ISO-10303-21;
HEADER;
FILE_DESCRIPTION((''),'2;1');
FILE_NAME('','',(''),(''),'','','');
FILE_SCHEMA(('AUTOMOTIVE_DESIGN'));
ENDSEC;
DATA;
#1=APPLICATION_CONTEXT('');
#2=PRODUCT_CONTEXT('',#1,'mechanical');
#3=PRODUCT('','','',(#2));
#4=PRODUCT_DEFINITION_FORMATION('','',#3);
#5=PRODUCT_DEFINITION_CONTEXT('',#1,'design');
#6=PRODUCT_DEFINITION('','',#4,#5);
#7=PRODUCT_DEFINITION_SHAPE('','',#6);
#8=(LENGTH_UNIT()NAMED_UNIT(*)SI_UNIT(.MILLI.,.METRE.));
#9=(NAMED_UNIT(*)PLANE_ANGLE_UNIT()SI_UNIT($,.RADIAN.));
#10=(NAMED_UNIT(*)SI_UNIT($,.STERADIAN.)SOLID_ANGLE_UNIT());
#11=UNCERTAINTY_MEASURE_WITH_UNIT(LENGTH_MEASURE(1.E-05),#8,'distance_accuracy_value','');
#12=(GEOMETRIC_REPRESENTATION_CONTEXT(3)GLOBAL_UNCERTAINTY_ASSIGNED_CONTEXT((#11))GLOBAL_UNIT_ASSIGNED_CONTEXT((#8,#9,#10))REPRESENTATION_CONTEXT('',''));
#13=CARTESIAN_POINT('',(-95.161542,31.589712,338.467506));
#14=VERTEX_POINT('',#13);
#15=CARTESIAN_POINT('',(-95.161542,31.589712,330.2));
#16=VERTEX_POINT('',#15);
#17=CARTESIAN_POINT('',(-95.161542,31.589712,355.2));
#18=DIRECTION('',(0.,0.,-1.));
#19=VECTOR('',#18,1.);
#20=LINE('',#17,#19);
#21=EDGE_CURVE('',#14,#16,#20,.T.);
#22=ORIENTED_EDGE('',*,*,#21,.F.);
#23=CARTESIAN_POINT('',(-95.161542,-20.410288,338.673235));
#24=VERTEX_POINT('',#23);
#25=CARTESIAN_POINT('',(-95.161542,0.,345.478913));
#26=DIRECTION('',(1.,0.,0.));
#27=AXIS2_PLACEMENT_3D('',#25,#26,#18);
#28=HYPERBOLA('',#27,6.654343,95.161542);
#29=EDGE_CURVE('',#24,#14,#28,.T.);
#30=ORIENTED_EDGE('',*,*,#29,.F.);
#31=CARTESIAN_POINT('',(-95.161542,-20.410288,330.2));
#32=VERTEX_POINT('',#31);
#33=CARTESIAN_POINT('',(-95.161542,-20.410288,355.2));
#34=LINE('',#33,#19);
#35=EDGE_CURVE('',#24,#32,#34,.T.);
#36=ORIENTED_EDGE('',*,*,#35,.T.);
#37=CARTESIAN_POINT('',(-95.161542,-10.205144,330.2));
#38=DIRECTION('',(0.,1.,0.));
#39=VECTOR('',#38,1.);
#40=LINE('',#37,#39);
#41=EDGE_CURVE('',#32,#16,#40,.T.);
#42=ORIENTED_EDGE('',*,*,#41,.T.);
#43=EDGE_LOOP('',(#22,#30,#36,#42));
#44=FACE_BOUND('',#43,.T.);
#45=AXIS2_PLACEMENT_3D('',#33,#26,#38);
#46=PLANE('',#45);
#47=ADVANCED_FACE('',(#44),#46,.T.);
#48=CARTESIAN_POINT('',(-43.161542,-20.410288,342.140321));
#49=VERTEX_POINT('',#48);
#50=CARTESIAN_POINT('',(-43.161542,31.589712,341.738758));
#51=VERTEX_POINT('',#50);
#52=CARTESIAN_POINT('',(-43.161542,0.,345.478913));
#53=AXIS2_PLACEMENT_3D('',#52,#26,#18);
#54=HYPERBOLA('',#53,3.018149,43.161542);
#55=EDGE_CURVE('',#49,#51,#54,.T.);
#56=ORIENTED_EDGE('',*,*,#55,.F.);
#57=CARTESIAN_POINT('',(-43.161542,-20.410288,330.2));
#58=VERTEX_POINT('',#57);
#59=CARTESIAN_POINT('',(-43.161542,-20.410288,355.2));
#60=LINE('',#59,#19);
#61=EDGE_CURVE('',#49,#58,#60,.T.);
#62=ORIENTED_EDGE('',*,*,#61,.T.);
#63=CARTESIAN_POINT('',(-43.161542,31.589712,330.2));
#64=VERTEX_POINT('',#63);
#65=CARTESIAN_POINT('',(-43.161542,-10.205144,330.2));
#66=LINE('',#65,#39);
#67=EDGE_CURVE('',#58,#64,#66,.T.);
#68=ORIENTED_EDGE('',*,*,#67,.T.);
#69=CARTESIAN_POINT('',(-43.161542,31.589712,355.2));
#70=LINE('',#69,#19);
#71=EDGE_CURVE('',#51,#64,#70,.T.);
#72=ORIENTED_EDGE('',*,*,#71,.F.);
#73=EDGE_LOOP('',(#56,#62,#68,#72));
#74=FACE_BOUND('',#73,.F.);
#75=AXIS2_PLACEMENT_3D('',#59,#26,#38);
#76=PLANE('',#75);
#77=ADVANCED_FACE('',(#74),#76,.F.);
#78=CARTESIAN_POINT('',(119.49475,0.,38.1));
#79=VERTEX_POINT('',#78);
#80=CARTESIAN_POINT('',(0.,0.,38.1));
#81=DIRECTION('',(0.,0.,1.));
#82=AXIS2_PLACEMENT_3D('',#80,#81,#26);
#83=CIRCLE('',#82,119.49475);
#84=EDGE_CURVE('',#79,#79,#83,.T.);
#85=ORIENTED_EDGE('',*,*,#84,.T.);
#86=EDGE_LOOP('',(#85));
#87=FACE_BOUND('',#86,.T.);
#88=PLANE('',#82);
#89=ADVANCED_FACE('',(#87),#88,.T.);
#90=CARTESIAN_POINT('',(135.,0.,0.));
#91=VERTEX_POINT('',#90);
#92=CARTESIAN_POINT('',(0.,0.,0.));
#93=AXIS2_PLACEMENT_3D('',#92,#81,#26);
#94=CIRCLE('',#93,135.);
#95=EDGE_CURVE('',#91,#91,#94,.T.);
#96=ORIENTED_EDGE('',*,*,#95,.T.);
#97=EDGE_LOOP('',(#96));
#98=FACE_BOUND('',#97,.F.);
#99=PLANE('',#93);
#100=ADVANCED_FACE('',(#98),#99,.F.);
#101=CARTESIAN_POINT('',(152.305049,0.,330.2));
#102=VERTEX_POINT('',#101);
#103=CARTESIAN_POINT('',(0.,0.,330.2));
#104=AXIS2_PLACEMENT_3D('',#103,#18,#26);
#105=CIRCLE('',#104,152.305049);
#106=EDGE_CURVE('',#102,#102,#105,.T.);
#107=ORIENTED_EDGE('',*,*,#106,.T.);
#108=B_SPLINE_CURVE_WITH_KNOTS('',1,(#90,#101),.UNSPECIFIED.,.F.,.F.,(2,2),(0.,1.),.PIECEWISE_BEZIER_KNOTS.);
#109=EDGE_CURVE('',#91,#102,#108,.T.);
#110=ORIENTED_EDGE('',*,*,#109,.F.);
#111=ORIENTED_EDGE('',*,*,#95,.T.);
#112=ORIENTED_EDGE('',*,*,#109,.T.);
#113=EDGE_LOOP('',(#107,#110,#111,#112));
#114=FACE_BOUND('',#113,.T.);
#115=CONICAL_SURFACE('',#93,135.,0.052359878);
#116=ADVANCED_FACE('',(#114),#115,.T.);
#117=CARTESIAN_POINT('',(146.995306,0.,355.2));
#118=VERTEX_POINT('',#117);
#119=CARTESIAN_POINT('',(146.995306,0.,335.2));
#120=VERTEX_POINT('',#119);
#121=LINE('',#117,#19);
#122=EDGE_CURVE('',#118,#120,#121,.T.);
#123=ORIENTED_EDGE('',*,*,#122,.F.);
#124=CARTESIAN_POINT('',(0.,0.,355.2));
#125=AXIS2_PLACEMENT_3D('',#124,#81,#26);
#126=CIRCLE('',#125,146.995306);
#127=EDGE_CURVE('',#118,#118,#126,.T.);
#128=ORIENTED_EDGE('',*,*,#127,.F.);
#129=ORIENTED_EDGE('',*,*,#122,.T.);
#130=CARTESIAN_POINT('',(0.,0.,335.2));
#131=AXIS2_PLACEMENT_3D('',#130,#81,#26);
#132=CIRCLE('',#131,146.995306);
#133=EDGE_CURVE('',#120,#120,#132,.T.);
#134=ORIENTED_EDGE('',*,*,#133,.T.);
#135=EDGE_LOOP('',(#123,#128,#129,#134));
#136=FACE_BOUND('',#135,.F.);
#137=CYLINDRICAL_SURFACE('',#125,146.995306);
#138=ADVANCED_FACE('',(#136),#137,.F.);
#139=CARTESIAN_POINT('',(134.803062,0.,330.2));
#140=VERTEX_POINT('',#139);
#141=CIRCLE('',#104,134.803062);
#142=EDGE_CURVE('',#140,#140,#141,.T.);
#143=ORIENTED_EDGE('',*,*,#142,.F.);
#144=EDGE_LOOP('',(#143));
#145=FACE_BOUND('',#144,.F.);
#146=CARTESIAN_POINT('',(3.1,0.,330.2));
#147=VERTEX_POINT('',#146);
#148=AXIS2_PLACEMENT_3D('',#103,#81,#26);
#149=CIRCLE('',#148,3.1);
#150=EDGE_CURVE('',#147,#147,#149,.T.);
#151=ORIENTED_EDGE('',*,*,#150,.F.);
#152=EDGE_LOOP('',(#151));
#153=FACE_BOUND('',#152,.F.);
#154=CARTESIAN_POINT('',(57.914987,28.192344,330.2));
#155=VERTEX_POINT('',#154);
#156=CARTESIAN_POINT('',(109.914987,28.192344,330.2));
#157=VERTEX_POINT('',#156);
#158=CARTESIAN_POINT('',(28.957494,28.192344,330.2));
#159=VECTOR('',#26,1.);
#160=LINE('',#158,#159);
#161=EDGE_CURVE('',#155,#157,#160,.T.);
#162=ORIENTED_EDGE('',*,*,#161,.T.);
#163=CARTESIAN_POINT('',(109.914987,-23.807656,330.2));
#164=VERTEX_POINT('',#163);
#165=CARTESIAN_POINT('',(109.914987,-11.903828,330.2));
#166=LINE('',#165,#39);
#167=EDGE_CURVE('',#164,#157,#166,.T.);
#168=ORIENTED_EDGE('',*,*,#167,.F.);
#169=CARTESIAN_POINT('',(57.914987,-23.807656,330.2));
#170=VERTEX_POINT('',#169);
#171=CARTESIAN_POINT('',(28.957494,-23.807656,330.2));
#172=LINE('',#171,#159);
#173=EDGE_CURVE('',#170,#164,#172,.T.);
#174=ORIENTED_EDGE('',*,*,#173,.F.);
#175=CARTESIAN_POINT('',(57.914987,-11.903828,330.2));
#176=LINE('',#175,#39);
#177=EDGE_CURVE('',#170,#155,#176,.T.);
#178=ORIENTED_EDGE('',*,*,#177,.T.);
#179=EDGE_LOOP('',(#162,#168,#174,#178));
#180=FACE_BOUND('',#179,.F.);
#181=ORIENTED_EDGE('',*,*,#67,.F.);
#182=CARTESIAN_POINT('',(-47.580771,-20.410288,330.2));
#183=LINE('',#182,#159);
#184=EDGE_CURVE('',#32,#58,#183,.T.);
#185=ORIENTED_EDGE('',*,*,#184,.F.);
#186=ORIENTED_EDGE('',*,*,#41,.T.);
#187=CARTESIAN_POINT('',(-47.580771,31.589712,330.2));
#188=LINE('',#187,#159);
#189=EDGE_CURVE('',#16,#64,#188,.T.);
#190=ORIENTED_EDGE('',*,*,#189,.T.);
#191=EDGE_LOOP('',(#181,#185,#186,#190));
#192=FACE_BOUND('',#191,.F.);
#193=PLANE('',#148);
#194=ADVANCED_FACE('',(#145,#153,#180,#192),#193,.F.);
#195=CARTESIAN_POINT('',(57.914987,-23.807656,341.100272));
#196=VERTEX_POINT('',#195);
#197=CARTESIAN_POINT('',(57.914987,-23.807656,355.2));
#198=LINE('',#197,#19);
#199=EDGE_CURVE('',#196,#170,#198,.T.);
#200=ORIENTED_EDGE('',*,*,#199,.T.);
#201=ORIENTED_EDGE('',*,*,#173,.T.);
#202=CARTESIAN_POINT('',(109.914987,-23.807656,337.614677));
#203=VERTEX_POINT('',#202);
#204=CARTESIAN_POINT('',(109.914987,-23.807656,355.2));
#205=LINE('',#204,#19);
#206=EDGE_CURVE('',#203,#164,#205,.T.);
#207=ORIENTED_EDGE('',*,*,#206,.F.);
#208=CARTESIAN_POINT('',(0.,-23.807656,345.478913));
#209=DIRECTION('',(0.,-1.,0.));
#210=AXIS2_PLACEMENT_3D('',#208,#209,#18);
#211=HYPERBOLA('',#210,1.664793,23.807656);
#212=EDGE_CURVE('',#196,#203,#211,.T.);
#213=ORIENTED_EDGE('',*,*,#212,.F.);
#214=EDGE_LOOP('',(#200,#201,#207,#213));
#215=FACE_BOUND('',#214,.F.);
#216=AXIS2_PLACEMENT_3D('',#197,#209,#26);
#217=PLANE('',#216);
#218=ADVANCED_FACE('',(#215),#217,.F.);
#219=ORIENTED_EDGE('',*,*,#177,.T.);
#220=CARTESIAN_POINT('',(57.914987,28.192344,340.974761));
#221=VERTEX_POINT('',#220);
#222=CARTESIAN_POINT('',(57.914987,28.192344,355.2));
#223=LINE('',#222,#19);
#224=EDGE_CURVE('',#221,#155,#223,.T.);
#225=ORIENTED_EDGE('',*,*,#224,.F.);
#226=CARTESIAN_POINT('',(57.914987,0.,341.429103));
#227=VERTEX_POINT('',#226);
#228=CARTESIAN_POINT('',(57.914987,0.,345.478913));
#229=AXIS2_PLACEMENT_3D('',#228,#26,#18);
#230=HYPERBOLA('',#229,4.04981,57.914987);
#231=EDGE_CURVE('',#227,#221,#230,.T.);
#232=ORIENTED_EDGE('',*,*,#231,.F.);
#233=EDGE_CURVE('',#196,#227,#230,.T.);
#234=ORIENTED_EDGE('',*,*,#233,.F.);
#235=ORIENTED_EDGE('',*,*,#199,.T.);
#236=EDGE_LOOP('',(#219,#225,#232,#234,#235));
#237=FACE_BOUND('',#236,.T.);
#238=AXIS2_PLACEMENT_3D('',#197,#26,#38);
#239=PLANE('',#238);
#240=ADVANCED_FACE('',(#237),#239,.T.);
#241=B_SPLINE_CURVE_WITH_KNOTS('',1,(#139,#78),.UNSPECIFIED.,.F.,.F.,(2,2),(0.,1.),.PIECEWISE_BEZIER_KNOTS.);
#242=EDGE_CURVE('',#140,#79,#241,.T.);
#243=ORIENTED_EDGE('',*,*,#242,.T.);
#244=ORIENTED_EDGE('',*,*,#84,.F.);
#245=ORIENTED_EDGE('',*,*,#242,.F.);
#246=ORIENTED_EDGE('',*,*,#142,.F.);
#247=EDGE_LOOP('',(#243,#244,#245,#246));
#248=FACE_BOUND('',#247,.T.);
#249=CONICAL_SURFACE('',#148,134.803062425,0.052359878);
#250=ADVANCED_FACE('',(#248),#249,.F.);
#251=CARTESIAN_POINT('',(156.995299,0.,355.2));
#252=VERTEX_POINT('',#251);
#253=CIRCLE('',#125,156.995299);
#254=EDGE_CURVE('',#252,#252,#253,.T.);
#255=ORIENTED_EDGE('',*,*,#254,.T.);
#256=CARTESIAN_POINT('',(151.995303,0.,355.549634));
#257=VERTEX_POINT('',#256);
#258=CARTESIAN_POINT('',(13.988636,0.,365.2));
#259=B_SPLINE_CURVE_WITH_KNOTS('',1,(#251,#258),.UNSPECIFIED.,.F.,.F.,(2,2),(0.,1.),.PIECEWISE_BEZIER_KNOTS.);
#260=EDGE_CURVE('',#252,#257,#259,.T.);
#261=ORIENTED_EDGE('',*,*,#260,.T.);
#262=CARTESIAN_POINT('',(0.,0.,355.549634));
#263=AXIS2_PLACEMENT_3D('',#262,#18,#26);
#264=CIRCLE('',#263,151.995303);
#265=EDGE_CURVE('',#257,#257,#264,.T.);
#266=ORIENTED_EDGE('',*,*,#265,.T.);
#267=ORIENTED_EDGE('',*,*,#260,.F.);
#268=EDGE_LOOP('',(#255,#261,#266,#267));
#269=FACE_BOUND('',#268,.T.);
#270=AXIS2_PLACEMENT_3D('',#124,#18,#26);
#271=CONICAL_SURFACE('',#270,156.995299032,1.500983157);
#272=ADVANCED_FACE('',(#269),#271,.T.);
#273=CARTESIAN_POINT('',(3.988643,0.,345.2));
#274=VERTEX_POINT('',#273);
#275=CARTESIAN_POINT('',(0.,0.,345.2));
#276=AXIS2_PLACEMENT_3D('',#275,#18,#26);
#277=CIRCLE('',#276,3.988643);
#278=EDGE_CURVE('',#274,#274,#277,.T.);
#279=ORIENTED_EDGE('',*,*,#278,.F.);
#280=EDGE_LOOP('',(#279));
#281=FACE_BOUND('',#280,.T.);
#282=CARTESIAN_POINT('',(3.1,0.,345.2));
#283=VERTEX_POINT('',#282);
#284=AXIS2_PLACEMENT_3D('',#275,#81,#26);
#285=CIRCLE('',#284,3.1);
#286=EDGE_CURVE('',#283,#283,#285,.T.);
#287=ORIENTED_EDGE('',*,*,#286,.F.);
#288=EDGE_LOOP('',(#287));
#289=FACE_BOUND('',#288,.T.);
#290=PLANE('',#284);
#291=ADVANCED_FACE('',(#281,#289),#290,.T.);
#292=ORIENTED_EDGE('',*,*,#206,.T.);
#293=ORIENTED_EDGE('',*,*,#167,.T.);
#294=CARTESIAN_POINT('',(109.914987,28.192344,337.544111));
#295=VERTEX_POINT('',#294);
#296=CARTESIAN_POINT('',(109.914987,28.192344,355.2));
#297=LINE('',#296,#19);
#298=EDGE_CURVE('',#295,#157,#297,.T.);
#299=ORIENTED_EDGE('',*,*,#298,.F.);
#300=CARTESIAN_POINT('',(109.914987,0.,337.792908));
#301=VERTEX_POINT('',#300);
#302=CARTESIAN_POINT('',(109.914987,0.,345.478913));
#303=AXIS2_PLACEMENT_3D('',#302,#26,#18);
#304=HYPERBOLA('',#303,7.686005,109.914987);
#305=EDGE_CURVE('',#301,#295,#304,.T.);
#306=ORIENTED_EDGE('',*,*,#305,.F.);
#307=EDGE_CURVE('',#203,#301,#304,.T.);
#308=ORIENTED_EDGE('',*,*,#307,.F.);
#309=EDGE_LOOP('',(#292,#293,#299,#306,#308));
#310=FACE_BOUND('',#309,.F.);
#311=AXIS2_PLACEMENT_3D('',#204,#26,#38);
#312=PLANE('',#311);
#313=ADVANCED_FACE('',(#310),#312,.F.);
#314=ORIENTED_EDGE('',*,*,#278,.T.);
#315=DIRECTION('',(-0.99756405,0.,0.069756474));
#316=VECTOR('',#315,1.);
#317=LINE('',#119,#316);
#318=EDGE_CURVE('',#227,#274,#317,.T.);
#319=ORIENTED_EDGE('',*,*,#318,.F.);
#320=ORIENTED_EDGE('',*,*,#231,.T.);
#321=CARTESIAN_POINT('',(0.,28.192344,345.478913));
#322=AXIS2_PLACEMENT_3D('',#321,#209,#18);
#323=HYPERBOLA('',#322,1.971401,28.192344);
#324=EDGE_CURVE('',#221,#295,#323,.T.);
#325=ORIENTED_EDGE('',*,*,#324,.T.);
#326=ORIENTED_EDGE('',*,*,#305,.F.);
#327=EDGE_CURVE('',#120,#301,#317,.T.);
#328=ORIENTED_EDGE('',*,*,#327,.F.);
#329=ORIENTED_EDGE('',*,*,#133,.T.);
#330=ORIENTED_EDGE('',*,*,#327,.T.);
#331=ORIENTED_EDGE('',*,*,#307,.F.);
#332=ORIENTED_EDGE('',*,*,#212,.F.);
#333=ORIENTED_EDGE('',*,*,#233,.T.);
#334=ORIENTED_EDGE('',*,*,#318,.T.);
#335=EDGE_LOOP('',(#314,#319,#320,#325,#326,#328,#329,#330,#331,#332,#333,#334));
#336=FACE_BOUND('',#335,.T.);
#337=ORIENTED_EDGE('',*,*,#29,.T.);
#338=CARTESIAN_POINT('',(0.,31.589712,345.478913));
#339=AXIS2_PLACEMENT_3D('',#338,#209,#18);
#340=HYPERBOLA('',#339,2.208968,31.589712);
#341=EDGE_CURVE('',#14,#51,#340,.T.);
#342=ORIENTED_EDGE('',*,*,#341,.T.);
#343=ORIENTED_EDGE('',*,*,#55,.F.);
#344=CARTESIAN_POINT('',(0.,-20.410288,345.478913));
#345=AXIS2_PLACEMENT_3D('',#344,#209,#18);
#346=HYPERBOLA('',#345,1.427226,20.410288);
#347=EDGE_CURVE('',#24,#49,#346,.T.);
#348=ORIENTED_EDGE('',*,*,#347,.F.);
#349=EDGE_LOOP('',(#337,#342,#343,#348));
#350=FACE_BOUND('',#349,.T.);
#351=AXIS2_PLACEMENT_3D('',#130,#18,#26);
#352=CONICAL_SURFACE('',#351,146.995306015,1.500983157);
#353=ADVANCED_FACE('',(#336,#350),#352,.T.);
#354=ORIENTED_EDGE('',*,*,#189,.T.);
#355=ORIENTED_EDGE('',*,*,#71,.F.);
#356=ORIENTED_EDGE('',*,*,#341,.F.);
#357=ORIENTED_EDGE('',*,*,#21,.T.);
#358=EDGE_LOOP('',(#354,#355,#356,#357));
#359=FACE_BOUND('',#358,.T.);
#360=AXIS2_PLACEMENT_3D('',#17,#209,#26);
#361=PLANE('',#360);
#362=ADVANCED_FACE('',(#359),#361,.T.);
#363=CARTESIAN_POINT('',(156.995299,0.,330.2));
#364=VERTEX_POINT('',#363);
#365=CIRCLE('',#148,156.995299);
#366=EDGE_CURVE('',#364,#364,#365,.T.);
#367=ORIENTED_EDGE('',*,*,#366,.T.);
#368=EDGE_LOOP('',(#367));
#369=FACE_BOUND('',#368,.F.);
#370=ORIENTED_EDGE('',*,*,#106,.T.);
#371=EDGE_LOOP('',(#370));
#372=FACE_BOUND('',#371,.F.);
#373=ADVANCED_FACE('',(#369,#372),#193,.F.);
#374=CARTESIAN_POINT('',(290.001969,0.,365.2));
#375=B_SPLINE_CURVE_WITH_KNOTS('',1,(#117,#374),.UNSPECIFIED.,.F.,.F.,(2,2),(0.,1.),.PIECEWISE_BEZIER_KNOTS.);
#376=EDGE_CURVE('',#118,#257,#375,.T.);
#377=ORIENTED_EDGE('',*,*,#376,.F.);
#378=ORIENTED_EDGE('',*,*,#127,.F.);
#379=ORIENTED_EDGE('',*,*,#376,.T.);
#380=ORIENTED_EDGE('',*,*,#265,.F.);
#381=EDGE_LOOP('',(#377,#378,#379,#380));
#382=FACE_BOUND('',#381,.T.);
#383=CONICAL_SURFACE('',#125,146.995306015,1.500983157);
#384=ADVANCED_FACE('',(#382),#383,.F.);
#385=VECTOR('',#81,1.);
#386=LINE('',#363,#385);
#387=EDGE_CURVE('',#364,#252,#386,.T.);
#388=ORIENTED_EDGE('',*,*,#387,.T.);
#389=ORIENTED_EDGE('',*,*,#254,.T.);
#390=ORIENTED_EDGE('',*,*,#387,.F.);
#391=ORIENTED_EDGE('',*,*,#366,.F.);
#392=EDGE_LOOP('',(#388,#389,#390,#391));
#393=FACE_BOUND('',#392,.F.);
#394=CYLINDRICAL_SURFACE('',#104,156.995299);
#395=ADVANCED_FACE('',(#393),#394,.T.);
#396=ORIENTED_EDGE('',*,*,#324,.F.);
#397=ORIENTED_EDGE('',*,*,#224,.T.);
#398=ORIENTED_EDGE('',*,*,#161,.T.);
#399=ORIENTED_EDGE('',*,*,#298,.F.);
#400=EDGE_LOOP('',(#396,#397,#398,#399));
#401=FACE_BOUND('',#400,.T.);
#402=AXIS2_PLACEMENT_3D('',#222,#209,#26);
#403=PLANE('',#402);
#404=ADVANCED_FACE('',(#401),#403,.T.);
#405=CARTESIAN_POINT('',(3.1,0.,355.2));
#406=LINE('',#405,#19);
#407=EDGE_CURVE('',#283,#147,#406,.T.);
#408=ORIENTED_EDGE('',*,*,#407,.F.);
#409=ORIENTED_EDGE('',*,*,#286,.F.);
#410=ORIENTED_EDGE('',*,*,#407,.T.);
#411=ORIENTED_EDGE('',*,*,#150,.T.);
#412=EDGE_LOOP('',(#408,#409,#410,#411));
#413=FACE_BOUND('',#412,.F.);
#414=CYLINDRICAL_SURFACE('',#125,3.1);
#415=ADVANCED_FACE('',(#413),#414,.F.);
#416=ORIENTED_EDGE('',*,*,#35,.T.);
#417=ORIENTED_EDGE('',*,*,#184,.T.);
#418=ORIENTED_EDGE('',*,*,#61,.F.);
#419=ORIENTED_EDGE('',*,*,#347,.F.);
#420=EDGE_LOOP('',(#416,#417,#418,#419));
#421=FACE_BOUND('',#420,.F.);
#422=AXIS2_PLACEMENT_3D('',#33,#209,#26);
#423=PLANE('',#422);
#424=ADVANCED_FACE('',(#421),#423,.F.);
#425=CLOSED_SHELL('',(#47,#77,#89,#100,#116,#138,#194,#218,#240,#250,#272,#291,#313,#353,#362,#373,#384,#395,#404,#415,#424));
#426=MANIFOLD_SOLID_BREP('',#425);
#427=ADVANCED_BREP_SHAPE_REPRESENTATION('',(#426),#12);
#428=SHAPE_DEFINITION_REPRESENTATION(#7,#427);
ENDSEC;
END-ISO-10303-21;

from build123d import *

# Parameters (mm, degrees)
F0_R         = 135
F1_DEPTH     = 330.2
F1_TAPER     = -3
F2_R         = 134.8030624247
F3_DEPTH     = 292.1
F3_TAPER     = 3
F4_R         = 156.9952990324
F5_DEPTH     = 25
F6_R         = 146.995306015
F6_W         = 52
F6_H         = 52
F6_R_2       = 3.1
F7_DEPTH     = 20
F7_FACE_R    = 146.995306015
F7_FACE1_R   = 156.9952990324
F7_FACE1_R_2 = 146.995306015
F8_DEPTH     = 10
F8_TAPER     = 86
F9_DEPTH     = 254


with BuildPart() as f1:
    # F0 (on Top) → F1 (new body)
    with BuildSketch(Plane.XY):
        Circle(F0_R)
    extrude(amount=F1_DEPTH, taper=F1_TAPER)

    # F2 (on face) → F3 (cut)
    with BuildSketch(Plane.XY.offset(330.2)):
        Circle(F2_R)
    extrude(amount=-F3_DEPTH, taper=F3_TAPER, mode=Mode.SUBTRACT)

    # F4 (on face) → F5 (join)
    with BuildSketch(Plane.XY.offset(330.2)):
        Circle(F4_R)
    extrude(amount=F5_DEPTH)

    # F6 (on face) → F7 (cut)
    with BuildSketch(Plane.XY.offset(355.2)):
        Circle(F6_R)
        with Locations((-69.1615422964, 5.5897118747)):
            Rectangle(F6_W, F6_H, mode=Mode.SUBTRACT)
        Circle(F6_R_2, mode=Mode.SUBTRACT)
        with Locations((83.9149872065, 2.1923439801)):
            Rectangle(F6_W, F6_H, mode=Mode.SUBTRACT)
        with Locations((83.9149872065, 2.1923439801)):
            Rectangle(F6_W, F6_H)
        with Locations((-69.1615422964, 5.5897118747)):
            Rectangle(F6_W, F6_H)
        Circle(F6_R_2)
    extrude(amount=-F7_DEPTH, mode=Mode.SUBTRACT)

    # F7_face (on face) + F7_face1 (on face) → F8 (join)
    with BuildSketch(Plane.XY.offset(335.2)):
        Circle(F7_FACE_R)
    with BuildSketch(Plane.XY.offset(355.2)):
        Circle(F7_FACE1_R)
        Circle(F7_FACE1_R_2, mode=Mode.SUBTRACT)
    extrude(amount=F8_DEPTH, taper=F8_TAPER)

    # F6 (on face) → F9 (cut)
    with BuildSketch(Plane.XY.offset(355.2)):
        with Locations((83.9149872065, 2.1923439801)):
            Rectangle(F6_W, F6_H)
        with Locations((-69.1615422964, 5.5897118747)):
            Rectangle(F6_W, F6_H)
        Circle(F6_R_2)
    extrude(amount=-F9_DEPTH, mode=Mode.SUBTRACT)


solid = f1.part
